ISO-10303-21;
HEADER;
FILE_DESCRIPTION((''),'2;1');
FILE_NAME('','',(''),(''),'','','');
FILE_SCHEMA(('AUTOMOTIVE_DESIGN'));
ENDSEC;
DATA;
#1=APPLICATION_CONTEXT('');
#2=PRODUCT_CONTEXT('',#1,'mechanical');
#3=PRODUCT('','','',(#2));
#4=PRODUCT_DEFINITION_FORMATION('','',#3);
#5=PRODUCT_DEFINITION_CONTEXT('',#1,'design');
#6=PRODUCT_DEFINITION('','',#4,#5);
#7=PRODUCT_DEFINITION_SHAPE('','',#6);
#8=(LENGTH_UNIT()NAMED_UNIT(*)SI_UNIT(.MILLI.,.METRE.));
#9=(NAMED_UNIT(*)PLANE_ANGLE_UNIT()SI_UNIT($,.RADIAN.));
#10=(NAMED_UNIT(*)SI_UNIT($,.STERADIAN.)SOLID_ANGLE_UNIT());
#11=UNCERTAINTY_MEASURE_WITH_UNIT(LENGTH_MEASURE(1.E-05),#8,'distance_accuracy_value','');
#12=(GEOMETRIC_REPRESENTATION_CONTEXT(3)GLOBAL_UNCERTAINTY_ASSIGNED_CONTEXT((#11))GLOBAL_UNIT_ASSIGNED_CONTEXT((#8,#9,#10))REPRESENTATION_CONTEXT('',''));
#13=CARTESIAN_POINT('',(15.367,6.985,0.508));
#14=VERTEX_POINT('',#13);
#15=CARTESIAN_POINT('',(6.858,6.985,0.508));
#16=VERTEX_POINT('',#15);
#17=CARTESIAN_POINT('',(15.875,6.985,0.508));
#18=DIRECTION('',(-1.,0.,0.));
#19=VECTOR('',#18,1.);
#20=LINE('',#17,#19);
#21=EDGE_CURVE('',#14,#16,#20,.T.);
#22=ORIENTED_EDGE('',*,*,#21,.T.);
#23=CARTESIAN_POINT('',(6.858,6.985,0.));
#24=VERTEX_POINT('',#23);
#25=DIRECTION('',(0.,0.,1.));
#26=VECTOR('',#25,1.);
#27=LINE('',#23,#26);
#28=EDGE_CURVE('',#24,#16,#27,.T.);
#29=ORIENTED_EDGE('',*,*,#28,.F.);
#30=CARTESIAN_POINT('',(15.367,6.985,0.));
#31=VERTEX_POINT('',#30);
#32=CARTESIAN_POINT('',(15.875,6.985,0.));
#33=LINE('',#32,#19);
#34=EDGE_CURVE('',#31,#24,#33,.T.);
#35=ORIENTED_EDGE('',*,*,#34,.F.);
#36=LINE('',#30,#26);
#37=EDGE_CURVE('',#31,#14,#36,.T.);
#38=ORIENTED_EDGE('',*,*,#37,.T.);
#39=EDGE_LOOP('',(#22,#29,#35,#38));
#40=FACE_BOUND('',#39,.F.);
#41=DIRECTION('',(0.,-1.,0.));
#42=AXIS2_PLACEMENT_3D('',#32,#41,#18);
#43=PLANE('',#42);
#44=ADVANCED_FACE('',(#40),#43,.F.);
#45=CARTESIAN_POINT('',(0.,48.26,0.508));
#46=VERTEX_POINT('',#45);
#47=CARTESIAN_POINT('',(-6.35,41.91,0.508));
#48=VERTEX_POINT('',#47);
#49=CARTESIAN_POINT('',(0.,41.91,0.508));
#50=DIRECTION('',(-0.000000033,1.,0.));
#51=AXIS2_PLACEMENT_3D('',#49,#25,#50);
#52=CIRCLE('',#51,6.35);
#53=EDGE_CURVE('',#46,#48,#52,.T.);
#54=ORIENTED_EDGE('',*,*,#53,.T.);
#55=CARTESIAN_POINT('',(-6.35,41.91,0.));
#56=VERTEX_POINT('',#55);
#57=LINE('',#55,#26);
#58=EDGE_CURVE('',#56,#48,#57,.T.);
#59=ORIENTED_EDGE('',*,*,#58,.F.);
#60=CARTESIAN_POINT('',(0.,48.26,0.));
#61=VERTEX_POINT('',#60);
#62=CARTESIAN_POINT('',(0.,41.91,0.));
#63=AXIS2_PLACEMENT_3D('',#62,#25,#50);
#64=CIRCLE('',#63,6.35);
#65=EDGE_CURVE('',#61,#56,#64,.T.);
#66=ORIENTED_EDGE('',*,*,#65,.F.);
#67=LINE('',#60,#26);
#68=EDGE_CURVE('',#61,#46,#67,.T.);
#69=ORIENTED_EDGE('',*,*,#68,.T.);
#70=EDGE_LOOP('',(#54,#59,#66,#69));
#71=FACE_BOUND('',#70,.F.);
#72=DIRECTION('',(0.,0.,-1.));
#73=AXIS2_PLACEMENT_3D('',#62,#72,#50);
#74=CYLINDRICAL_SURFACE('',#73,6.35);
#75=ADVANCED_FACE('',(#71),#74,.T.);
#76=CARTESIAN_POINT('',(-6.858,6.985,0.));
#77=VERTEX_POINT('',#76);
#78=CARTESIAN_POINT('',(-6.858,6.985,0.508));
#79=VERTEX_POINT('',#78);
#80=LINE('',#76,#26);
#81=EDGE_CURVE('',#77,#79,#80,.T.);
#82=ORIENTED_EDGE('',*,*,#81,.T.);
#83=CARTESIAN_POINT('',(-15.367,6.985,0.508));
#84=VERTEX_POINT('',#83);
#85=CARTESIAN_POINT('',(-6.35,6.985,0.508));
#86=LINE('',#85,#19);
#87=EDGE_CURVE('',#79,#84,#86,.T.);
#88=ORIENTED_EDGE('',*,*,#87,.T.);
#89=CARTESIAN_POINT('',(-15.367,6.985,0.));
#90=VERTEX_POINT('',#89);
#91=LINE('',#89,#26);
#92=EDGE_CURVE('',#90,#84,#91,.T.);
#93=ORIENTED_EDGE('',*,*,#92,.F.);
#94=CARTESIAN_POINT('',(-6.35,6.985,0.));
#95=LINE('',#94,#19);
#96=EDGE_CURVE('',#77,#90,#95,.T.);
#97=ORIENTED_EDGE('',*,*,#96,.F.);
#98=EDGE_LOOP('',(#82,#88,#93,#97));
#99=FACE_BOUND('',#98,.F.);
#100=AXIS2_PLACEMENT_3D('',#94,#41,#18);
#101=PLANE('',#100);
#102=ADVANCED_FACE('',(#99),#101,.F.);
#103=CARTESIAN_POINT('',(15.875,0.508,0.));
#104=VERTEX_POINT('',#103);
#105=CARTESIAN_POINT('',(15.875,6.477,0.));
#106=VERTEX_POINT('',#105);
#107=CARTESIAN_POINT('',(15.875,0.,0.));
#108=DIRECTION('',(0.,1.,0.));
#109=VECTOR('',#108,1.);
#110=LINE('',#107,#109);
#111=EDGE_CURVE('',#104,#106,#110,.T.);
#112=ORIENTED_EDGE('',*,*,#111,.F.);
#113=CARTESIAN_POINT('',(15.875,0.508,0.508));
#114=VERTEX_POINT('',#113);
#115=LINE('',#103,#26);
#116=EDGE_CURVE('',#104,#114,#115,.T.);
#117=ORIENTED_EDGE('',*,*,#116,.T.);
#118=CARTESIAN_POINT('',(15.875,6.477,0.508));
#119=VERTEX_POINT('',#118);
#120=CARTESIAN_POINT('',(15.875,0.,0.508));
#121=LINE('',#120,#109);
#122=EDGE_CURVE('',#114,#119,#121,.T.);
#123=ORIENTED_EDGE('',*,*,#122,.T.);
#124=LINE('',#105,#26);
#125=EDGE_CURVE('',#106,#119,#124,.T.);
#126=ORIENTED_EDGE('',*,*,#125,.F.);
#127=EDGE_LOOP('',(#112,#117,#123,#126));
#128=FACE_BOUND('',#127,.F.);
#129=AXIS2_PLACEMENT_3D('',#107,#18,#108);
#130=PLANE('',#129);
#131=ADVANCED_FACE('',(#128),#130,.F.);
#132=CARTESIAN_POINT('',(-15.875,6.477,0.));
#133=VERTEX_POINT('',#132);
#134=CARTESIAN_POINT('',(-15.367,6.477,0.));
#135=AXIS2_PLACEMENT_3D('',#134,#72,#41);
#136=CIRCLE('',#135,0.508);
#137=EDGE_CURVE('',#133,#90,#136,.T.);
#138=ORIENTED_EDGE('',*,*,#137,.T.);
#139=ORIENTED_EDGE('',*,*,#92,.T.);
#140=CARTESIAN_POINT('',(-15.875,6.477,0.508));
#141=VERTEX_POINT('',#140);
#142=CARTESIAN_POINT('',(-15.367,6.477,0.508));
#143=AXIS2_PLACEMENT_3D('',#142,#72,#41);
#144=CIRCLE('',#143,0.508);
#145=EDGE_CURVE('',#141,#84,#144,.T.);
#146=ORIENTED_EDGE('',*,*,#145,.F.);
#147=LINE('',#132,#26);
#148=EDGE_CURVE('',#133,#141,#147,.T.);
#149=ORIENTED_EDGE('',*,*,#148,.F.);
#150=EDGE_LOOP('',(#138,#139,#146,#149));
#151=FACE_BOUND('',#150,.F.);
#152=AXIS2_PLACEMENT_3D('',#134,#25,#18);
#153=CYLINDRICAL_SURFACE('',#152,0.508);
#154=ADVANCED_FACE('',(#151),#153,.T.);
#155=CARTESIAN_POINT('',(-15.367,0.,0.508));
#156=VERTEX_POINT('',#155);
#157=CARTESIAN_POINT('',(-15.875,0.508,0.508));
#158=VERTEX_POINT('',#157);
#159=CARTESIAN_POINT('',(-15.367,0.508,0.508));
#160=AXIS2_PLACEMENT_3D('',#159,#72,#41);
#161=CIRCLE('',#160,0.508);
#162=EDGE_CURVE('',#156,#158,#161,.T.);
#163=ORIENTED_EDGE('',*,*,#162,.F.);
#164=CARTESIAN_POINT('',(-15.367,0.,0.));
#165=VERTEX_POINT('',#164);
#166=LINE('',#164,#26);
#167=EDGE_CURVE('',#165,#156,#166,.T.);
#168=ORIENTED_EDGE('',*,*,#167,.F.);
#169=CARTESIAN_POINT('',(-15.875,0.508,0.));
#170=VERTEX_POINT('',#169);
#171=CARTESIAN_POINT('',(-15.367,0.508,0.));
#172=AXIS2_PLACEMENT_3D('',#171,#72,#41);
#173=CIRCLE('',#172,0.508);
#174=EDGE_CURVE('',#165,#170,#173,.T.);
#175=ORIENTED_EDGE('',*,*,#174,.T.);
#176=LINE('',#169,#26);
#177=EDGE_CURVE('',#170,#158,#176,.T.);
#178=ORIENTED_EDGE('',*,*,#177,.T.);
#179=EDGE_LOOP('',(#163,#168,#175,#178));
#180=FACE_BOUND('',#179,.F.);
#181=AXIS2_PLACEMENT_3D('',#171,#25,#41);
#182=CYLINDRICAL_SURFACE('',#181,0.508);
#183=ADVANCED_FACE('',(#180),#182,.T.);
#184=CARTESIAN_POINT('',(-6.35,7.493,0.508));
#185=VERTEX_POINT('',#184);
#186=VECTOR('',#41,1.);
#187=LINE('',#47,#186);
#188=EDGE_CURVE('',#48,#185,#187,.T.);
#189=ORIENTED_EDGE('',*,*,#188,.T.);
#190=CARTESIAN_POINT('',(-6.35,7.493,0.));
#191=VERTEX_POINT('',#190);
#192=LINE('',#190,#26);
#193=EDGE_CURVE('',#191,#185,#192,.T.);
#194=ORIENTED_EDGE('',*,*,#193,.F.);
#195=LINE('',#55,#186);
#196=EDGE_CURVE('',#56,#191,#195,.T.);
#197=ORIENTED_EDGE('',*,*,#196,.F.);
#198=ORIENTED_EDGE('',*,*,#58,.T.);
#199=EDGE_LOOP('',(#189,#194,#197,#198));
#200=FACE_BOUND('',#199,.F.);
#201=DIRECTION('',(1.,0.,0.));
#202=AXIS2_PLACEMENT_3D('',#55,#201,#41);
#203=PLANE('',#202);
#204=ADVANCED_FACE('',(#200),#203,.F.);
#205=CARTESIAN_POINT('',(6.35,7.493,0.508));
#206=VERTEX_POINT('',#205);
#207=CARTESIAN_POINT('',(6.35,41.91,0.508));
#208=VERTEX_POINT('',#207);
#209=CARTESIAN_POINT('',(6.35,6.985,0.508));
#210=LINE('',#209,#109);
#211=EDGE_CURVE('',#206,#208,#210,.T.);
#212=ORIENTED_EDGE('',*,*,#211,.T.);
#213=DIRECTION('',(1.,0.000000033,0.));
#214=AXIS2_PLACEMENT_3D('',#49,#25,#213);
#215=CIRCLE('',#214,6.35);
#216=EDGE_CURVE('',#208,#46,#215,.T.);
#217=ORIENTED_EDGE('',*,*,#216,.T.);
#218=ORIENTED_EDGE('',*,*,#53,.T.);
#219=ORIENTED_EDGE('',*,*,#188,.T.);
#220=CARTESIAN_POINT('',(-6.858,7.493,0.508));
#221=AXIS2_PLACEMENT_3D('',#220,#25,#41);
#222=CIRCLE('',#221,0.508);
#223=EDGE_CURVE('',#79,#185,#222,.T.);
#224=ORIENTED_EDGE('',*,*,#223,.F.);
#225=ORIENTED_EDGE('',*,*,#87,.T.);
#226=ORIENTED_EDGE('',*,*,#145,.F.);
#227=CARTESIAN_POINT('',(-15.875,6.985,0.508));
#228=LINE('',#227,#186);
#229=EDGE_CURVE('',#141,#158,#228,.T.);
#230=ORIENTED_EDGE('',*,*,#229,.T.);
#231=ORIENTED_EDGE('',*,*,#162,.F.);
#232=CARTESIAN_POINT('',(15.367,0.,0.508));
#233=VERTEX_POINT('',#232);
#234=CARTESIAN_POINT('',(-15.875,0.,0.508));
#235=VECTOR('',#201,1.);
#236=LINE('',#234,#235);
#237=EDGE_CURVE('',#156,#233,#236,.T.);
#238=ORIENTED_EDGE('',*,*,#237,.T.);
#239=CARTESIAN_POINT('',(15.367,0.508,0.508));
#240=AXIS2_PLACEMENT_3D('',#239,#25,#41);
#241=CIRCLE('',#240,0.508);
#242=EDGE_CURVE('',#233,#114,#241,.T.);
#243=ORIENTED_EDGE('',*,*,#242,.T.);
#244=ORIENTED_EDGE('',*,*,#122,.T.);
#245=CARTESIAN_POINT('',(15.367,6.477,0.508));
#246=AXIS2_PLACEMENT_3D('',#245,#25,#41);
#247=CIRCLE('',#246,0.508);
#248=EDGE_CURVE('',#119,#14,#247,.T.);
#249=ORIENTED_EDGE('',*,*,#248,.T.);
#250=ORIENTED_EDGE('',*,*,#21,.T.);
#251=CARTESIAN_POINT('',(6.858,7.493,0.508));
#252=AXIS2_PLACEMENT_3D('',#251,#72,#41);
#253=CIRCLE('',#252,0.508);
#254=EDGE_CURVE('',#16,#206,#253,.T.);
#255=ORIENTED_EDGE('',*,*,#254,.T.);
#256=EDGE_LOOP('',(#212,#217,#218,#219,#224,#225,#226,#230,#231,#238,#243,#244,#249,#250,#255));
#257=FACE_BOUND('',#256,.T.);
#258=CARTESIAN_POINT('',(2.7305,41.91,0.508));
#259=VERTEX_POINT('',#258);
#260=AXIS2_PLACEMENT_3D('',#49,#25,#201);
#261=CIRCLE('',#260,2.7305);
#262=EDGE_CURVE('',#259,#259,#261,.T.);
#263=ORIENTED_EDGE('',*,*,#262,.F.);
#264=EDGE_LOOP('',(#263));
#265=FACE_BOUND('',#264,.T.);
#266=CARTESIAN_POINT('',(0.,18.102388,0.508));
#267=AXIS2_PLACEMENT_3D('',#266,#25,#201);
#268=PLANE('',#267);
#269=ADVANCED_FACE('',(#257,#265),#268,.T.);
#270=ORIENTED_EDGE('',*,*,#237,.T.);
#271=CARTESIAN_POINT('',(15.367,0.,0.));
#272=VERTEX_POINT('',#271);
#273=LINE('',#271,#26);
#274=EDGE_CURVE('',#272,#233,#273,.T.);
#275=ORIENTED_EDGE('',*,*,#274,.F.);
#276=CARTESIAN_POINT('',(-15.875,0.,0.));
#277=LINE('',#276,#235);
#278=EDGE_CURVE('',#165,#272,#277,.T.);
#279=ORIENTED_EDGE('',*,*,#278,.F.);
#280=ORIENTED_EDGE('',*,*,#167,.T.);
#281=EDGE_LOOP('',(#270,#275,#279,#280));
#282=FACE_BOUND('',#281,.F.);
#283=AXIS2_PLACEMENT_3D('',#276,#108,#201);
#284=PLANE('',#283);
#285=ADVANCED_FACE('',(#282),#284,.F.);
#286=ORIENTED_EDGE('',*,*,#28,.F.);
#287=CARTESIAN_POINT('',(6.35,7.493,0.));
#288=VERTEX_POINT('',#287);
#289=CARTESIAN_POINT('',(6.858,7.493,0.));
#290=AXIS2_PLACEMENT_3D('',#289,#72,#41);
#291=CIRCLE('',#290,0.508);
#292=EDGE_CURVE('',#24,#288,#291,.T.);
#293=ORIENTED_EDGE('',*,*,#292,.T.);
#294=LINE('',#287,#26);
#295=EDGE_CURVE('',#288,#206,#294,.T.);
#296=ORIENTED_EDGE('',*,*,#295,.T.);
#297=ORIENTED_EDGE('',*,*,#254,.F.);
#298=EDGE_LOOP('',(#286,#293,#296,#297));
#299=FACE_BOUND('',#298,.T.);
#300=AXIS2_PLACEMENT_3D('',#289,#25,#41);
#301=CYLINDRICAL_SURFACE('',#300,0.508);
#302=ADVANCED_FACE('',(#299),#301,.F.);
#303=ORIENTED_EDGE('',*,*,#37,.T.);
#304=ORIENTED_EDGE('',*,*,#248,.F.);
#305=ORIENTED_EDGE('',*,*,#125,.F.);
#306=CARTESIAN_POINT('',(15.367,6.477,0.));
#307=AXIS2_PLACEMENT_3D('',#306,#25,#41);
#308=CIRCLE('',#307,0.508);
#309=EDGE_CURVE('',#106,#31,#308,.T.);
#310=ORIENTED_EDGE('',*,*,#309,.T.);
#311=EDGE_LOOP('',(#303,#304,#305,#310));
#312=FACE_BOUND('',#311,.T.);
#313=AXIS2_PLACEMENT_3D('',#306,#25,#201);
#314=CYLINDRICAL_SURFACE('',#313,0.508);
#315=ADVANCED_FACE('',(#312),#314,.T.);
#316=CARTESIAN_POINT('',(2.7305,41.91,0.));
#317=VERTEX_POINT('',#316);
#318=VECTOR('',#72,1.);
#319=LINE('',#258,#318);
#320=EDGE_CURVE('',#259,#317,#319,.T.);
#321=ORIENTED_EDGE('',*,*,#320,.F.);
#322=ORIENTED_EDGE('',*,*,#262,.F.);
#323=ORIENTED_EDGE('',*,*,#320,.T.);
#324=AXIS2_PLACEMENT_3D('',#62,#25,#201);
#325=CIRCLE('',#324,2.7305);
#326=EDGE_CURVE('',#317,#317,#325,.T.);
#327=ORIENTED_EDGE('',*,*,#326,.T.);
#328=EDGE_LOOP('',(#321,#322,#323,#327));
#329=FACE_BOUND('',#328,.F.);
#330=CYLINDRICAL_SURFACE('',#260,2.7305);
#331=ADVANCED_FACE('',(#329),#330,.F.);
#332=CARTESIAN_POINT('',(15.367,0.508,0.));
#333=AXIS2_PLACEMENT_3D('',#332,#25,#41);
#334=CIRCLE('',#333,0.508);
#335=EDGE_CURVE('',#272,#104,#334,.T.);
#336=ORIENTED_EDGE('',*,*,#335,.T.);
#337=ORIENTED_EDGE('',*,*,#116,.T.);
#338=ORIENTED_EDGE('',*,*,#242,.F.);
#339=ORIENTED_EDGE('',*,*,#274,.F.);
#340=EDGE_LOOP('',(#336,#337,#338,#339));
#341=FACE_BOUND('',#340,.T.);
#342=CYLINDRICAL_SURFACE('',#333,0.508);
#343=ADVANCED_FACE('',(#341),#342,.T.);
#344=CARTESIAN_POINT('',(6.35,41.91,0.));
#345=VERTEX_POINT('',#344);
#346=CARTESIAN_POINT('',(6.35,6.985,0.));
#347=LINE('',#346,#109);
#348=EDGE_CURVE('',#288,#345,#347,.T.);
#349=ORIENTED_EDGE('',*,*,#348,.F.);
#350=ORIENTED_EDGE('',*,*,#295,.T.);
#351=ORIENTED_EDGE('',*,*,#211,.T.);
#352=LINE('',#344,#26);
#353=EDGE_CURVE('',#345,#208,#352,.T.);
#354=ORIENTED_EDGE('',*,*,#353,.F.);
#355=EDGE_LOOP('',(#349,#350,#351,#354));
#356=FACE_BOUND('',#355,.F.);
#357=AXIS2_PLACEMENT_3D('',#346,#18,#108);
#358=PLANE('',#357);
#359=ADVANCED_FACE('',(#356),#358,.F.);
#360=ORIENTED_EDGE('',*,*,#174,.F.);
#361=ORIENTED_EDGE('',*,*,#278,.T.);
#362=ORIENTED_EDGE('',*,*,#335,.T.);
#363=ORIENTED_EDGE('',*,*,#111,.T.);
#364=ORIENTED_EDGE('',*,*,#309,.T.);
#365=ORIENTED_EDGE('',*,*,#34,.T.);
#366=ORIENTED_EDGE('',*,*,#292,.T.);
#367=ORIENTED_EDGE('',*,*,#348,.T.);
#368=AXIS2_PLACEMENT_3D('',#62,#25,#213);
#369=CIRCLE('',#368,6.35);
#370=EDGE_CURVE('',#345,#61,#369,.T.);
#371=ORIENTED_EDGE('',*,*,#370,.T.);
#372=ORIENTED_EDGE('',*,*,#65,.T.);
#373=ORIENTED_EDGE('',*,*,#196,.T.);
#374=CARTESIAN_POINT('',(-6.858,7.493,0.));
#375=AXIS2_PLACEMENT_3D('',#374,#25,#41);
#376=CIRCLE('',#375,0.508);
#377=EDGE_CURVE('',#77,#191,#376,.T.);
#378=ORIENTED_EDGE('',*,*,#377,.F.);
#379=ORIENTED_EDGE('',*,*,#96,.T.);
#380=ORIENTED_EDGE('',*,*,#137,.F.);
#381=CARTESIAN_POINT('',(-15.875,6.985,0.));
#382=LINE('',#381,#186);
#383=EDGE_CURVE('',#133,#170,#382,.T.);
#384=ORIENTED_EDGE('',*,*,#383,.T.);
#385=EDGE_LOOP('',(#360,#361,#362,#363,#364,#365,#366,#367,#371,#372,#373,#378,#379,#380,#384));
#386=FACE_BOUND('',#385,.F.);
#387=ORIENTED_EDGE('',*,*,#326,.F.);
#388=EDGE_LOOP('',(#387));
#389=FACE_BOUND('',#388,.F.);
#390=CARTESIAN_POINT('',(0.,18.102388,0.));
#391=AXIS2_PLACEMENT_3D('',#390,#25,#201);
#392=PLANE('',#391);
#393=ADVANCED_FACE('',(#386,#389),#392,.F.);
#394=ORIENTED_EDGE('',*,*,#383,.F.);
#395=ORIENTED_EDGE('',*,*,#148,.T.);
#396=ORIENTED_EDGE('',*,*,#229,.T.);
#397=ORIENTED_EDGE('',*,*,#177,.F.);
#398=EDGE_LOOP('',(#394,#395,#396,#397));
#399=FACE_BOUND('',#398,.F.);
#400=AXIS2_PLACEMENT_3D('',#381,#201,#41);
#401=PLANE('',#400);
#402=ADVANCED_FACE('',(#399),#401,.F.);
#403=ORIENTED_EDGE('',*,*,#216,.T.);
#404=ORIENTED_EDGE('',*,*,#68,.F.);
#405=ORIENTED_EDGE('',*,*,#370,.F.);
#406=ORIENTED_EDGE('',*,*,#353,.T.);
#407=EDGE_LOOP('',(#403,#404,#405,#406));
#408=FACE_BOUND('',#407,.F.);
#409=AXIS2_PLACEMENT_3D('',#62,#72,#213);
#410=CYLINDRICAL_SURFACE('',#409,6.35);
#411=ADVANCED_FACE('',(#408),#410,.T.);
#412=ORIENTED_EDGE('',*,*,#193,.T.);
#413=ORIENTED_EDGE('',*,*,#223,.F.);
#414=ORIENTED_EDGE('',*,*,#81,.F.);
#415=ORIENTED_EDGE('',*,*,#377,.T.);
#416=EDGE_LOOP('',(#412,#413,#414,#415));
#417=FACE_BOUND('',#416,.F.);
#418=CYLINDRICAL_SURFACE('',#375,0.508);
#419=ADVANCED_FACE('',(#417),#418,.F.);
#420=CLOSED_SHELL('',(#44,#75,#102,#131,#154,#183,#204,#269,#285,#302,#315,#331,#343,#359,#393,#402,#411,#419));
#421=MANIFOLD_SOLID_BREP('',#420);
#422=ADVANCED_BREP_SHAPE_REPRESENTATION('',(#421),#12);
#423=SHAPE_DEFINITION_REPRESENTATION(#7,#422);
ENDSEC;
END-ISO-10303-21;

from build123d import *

# Parameters (mm, degrees)
F1_DEPTH = 0.508
F2_R     = 2.7305
F3_DEPTH = 0.509
F4_R     = 0.508


with BuildPart() as f1:
    # F0 (on Top) → F1 (new body)
    with BuildSketch(Plane.XY):
        with BuildLine():
            Line((-15.875, 0), (0, 0))
            Line((0, 0), (15.875, 0))
            Line((15.875, 0), (15.875, 6.985))
            Line((15.875, 6.985), (6.35, 6.985))
            Line((6.35, 6.985), (6.35, 41.91))
            ThreePointArc((6.35, 41.91), (4.490128, 46.400128), (0, 48.26))
            ThreePointArc((0, 48.26), (-4.490128, 46.400128), (-6.35, 41.91))
            Line((-6.35, 41.91), (-6.35, 6.985))
            Line((-6.35, 6.985), (-15.875, 6.985))
            Line((-15.875, 6.985), (-15.875, 0))
        make_face()
    extrude(amount=F1_DEPTH)

    # F2 (on face) → F3 (cut, through all)
    with BuildSketch(Plane.XY.offset(0.508)):
        with Locations((0, 41.91)):
            Circle(F2_R)
    extrude(amount=-F3_DEPTH, mode=Mode.SUBTRACT)

    # F4
    f4_edges = [f1.edges().sort_by_distance(p)[0] for p in [
        (-15.875, 0, 0.254),
        (-15.875, 6.985, 0.254),
        (15.875, 6.985, 0.254),
        (15.875, 0, 0.254),
        (6.35, 6.985, 0.254),
        (-6.35, 6.985, 0.254),
    ]]
    fillet(f4_edges, radius=F4_R)


solid = f1.part
